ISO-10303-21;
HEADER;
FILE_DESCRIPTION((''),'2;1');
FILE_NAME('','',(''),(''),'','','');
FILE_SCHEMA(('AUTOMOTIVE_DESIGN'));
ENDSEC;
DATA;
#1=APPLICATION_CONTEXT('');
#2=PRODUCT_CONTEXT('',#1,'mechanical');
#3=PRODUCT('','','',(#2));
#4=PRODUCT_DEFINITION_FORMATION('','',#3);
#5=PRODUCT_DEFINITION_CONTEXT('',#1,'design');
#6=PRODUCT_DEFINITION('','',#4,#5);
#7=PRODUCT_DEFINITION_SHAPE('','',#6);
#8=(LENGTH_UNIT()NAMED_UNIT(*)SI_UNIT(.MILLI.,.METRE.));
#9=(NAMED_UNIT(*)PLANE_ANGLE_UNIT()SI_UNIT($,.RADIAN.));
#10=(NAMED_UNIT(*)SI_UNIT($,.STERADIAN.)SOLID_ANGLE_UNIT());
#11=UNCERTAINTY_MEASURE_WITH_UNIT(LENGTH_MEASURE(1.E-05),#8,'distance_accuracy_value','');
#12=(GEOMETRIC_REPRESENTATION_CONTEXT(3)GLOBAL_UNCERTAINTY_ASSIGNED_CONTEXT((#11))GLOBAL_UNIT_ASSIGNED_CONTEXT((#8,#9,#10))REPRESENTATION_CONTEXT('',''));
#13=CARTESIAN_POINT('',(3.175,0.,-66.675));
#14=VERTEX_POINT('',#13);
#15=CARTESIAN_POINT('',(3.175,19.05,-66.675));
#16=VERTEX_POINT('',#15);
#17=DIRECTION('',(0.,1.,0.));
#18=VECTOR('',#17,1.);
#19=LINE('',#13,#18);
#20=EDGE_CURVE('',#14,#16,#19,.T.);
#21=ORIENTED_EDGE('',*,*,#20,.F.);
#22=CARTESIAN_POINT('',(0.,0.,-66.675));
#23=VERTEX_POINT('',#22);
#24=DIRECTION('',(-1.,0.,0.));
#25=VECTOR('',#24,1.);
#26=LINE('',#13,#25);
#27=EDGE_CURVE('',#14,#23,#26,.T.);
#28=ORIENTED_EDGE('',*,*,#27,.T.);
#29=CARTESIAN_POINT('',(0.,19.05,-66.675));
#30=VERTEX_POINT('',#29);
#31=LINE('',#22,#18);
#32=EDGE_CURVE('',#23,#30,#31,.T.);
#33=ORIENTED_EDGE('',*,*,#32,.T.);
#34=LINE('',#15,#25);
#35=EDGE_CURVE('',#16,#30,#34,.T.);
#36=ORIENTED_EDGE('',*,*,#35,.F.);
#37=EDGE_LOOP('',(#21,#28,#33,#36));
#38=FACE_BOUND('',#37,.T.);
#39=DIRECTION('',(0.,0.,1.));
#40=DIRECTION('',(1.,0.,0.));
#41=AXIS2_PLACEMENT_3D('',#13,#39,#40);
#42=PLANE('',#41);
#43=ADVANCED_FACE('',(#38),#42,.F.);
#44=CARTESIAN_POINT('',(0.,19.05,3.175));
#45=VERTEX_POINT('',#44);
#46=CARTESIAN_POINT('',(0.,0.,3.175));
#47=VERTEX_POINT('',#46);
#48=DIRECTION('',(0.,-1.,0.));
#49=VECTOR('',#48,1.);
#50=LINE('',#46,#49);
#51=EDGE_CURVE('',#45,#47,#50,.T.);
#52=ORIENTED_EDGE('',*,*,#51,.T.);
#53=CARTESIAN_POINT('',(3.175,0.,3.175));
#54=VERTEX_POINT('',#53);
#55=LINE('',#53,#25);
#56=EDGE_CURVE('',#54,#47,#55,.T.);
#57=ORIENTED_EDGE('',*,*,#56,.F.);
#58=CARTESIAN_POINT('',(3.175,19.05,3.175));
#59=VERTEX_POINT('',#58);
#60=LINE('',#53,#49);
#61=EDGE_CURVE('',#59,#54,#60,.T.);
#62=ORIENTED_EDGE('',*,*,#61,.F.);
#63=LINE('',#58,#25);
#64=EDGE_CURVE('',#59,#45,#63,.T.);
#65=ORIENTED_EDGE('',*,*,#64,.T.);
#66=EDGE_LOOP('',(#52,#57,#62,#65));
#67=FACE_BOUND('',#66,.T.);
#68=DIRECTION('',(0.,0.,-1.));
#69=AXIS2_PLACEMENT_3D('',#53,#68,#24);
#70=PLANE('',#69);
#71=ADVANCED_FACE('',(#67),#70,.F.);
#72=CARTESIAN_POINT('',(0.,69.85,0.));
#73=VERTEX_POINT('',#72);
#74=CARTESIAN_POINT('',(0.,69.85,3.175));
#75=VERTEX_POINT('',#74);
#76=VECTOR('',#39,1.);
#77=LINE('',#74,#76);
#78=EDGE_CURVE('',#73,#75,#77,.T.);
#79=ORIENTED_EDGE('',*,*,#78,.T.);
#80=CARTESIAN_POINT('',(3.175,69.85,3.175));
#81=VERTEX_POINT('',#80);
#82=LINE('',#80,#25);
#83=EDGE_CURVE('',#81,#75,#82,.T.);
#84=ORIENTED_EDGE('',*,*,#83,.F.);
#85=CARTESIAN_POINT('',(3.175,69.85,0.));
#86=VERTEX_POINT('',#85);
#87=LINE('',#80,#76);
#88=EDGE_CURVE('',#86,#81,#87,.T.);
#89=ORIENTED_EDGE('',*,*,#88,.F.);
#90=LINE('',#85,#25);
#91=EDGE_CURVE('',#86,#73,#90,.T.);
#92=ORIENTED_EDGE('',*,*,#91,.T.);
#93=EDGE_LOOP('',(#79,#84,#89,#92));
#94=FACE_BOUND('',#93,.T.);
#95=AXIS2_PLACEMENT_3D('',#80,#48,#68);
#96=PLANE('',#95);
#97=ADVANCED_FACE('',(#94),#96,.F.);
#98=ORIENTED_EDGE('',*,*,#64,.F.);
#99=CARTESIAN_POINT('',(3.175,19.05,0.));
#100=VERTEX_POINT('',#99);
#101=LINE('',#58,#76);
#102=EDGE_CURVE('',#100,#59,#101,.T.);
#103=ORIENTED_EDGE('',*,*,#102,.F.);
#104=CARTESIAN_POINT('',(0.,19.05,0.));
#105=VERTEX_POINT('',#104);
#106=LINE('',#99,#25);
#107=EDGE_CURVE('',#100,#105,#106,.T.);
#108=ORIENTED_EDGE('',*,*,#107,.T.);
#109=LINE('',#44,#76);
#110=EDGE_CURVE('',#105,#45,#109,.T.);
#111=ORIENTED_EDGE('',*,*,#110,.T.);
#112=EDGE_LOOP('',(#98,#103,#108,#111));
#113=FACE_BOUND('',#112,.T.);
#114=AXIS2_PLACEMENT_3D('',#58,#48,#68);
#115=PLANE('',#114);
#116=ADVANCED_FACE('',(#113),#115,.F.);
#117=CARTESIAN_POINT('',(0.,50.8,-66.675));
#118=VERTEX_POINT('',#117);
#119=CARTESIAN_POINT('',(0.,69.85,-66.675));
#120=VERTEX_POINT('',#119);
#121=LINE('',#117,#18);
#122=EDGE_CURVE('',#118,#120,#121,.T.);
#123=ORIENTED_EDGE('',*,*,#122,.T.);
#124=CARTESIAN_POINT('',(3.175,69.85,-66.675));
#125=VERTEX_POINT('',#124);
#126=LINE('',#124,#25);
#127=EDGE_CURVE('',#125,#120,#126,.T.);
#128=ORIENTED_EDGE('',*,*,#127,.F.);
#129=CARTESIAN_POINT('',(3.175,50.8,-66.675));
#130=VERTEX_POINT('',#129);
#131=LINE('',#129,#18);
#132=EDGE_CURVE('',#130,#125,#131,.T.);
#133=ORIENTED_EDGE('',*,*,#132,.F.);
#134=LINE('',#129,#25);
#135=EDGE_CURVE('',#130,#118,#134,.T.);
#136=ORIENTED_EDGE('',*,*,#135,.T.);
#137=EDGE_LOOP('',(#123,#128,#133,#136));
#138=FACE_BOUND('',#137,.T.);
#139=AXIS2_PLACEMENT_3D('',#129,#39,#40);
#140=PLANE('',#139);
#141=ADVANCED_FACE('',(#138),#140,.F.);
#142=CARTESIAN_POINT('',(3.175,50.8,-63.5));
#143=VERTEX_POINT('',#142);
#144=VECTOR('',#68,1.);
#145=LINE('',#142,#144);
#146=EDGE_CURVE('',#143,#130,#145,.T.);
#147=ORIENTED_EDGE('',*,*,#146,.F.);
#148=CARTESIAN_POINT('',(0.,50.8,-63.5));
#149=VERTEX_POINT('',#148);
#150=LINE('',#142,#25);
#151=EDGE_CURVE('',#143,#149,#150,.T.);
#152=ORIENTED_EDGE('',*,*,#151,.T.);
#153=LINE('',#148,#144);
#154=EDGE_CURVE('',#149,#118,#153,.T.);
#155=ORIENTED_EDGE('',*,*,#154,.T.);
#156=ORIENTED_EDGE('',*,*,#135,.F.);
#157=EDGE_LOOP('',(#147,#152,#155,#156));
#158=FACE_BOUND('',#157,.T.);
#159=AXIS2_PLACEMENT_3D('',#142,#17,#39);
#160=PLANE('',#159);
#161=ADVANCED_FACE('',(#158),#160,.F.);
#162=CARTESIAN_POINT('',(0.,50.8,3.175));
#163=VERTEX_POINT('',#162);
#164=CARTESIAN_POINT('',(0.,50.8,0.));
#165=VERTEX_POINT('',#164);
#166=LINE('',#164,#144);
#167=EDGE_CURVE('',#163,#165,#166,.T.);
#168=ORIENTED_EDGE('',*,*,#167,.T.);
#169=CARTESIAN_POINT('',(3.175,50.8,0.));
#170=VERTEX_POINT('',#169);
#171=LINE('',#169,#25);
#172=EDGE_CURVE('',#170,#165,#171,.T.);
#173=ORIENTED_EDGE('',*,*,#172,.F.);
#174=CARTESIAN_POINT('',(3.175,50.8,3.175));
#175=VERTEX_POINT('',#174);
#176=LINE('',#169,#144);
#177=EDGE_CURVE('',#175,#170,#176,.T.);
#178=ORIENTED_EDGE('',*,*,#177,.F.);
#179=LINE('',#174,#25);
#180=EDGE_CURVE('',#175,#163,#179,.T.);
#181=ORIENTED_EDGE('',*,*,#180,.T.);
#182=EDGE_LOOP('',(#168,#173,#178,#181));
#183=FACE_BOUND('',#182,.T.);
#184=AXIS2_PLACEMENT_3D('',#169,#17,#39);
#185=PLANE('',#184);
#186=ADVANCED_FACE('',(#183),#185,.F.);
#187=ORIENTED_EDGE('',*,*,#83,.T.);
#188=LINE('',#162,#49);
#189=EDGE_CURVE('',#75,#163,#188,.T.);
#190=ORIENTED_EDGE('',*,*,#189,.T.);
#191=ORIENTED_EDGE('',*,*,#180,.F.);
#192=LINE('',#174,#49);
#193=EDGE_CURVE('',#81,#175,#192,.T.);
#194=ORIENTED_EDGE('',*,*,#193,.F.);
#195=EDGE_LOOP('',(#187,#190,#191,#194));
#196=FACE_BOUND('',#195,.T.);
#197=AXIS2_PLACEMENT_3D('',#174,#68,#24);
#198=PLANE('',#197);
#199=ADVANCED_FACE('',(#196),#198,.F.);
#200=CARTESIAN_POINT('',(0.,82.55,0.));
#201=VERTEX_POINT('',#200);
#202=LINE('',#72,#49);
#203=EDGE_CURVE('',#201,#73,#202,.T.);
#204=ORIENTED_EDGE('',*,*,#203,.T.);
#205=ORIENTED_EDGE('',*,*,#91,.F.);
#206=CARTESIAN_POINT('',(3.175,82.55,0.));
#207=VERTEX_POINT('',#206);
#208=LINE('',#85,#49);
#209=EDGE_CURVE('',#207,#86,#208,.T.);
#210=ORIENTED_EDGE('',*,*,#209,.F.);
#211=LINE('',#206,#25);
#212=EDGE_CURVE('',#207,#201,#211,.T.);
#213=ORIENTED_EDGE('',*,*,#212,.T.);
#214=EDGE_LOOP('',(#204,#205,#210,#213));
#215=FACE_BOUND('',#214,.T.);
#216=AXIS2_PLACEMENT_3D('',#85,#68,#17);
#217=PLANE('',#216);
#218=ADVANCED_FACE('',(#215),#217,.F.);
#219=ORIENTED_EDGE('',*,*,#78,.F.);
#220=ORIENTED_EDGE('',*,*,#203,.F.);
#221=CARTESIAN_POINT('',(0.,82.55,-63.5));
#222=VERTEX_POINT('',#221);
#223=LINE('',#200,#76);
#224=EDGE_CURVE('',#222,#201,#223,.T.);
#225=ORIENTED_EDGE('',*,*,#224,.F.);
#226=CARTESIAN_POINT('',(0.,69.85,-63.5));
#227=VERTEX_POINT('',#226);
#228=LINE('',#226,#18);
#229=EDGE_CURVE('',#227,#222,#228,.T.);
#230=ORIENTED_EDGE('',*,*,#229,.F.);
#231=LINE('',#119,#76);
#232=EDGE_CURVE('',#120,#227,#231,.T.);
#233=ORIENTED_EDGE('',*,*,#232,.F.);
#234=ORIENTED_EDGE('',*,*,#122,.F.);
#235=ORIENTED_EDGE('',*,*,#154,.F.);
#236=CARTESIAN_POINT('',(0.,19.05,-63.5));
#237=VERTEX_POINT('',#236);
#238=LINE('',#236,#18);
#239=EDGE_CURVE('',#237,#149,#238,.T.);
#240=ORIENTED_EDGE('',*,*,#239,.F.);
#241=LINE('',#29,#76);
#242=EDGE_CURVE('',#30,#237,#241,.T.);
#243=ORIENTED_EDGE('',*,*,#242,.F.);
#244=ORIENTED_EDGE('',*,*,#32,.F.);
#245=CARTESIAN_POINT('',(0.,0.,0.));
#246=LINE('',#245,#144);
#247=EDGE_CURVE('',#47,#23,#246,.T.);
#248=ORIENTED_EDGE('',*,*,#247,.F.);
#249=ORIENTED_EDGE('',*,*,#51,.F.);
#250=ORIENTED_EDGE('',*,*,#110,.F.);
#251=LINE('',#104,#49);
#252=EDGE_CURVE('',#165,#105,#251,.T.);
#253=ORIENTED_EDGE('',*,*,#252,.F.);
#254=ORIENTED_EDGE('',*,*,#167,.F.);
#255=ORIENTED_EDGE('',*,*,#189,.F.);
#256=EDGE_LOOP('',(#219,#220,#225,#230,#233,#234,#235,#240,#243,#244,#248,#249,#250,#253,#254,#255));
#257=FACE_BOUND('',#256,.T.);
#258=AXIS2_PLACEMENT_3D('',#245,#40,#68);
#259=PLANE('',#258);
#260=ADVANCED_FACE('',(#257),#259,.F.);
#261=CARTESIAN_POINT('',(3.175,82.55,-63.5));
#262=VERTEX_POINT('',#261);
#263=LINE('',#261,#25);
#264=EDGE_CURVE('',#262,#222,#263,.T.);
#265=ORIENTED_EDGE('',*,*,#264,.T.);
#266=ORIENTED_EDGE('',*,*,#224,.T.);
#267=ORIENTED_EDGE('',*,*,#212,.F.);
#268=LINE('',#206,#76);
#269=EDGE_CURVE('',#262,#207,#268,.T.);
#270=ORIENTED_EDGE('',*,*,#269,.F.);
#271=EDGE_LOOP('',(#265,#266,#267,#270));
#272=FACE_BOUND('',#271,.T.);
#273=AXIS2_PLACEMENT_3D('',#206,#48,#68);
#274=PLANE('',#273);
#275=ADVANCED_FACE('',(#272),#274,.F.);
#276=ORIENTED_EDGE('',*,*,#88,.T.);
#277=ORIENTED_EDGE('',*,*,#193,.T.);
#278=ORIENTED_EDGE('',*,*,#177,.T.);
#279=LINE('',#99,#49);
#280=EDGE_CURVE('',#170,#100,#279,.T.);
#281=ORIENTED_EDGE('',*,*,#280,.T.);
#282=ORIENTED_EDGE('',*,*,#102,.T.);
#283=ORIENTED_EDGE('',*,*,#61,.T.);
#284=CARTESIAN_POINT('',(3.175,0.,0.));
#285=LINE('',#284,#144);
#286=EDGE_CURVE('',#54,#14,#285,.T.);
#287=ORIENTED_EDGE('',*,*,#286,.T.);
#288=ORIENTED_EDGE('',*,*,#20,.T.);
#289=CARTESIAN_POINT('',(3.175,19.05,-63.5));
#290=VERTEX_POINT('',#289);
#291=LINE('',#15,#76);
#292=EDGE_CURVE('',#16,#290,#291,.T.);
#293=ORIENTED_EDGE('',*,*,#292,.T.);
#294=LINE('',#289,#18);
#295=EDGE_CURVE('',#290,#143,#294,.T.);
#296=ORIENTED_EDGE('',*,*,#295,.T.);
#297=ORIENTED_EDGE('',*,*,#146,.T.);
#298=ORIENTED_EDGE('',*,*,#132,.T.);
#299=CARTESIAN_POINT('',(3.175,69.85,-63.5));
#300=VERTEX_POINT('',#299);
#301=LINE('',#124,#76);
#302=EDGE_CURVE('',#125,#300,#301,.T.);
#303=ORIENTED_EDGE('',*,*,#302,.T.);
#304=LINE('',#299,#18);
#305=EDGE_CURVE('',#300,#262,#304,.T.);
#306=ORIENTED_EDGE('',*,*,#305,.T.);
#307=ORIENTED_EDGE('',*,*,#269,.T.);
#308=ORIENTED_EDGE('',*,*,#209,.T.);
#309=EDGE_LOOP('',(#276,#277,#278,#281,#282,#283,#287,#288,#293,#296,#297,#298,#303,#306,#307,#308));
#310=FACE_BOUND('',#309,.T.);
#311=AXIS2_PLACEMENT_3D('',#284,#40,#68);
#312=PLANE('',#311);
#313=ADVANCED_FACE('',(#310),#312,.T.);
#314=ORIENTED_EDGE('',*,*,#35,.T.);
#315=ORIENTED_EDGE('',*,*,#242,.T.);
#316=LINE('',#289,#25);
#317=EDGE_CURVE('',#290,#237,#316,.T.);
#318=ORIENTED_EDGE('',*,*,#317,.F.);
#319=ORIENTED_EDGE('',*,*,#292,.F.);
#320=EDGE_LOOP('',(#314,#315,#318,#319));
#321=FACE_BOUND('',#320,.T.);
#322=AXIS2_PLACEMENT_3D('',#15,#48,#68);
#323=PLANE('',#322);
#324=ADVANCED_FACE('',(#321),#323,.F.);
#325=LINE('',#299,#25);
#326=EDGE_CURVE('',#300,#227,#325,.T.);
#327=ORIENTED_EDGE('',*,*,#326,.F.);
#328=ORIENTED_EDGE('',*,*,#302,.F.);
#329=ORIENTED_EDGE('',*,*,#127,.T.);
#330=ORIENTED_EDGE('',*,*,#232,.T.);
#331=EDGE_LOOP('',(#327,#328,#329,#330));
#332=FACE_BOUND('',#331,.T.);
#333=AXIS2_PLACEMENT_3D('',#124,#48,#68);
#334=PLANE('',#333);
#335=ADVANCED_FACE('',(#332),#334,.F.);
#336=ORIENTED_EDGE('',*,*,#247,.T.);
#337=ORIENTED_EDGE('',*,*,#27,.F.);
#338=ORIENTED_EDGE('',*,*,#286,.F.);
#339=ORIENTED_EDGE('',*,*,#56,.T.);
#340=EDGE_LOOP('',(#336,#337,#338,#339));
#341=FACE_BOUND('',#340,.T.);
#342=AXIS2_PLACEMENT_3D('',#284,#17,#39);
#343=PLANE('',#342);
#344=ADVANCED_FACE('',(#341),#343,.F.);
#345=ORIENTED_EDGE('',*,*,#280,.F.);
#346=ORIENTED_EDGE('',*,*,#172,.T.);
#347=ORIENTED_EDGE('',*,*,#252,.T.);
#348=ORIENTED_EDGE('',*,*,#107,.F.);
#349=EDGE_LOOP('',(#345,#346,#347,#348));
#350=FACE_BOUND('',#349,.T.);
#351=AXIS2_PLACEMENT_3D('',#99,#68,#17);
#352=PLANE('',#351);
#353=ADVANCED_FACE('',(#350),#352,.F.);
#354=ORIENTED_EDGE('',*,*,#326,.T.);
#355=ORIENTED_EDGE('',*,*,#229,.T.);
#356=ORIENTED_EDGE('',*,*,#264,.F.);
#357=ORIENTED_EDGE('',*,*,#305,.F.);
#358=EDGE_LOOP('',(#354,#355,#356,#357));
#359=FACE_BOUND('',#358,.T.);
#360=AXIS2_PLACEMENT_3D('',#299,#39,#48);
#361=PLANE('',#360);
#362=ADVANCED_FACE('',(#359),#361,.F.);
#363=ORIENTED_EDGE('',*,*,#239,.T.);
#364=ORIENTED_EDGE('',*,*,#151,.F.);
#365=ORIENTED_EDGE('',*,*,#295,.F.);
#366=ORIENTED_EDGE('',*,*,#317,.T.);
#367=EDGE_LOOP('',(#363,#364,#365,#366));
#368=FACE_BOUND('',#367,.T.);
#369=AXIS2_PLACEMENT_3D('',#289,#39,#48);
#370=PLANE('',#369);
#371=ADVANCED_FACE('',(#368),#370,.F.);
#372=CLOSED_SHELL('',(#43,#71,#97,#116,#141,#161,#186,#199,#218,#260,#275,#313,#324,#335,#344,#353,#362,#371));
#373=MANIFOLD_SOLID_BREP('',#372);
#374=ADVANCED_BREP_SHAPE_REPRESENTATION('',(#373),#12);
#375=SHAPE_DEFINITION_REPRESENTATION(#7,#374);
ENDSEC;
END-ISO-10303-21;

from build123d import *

# Parameters (mm, degrees)
BOSS_EXTRUDE1_DEPTH = 3.175


with BuildPart() as part:
    # Sketch1 → Boss-Extrude1 (new body)
    with BuildSketch(Plane(origin=(0, 0, 0), x_dir=(0, 0, -1), z_dir=(1, 0, 0))):
        Polygon((0, 0), (-3.175, 0), (-3.175, 19.05), (0, 19.05), (0, 50.8), (-3.175, 50.8), (-3.175, 69.85), (0, 69.85), (0, 82.55), (63.5, 82.55), (63.5, 69.85), (66.675, 69.85), (66.675, 50.8), (63.5, 50.8), (63.5, 19.05), (66.675, 19.05), (66.675, 0), (63.5, 0), align=None)
    extrude(amount=BOSS_EXTRUDE1_DEPTH)


solid = part.part
